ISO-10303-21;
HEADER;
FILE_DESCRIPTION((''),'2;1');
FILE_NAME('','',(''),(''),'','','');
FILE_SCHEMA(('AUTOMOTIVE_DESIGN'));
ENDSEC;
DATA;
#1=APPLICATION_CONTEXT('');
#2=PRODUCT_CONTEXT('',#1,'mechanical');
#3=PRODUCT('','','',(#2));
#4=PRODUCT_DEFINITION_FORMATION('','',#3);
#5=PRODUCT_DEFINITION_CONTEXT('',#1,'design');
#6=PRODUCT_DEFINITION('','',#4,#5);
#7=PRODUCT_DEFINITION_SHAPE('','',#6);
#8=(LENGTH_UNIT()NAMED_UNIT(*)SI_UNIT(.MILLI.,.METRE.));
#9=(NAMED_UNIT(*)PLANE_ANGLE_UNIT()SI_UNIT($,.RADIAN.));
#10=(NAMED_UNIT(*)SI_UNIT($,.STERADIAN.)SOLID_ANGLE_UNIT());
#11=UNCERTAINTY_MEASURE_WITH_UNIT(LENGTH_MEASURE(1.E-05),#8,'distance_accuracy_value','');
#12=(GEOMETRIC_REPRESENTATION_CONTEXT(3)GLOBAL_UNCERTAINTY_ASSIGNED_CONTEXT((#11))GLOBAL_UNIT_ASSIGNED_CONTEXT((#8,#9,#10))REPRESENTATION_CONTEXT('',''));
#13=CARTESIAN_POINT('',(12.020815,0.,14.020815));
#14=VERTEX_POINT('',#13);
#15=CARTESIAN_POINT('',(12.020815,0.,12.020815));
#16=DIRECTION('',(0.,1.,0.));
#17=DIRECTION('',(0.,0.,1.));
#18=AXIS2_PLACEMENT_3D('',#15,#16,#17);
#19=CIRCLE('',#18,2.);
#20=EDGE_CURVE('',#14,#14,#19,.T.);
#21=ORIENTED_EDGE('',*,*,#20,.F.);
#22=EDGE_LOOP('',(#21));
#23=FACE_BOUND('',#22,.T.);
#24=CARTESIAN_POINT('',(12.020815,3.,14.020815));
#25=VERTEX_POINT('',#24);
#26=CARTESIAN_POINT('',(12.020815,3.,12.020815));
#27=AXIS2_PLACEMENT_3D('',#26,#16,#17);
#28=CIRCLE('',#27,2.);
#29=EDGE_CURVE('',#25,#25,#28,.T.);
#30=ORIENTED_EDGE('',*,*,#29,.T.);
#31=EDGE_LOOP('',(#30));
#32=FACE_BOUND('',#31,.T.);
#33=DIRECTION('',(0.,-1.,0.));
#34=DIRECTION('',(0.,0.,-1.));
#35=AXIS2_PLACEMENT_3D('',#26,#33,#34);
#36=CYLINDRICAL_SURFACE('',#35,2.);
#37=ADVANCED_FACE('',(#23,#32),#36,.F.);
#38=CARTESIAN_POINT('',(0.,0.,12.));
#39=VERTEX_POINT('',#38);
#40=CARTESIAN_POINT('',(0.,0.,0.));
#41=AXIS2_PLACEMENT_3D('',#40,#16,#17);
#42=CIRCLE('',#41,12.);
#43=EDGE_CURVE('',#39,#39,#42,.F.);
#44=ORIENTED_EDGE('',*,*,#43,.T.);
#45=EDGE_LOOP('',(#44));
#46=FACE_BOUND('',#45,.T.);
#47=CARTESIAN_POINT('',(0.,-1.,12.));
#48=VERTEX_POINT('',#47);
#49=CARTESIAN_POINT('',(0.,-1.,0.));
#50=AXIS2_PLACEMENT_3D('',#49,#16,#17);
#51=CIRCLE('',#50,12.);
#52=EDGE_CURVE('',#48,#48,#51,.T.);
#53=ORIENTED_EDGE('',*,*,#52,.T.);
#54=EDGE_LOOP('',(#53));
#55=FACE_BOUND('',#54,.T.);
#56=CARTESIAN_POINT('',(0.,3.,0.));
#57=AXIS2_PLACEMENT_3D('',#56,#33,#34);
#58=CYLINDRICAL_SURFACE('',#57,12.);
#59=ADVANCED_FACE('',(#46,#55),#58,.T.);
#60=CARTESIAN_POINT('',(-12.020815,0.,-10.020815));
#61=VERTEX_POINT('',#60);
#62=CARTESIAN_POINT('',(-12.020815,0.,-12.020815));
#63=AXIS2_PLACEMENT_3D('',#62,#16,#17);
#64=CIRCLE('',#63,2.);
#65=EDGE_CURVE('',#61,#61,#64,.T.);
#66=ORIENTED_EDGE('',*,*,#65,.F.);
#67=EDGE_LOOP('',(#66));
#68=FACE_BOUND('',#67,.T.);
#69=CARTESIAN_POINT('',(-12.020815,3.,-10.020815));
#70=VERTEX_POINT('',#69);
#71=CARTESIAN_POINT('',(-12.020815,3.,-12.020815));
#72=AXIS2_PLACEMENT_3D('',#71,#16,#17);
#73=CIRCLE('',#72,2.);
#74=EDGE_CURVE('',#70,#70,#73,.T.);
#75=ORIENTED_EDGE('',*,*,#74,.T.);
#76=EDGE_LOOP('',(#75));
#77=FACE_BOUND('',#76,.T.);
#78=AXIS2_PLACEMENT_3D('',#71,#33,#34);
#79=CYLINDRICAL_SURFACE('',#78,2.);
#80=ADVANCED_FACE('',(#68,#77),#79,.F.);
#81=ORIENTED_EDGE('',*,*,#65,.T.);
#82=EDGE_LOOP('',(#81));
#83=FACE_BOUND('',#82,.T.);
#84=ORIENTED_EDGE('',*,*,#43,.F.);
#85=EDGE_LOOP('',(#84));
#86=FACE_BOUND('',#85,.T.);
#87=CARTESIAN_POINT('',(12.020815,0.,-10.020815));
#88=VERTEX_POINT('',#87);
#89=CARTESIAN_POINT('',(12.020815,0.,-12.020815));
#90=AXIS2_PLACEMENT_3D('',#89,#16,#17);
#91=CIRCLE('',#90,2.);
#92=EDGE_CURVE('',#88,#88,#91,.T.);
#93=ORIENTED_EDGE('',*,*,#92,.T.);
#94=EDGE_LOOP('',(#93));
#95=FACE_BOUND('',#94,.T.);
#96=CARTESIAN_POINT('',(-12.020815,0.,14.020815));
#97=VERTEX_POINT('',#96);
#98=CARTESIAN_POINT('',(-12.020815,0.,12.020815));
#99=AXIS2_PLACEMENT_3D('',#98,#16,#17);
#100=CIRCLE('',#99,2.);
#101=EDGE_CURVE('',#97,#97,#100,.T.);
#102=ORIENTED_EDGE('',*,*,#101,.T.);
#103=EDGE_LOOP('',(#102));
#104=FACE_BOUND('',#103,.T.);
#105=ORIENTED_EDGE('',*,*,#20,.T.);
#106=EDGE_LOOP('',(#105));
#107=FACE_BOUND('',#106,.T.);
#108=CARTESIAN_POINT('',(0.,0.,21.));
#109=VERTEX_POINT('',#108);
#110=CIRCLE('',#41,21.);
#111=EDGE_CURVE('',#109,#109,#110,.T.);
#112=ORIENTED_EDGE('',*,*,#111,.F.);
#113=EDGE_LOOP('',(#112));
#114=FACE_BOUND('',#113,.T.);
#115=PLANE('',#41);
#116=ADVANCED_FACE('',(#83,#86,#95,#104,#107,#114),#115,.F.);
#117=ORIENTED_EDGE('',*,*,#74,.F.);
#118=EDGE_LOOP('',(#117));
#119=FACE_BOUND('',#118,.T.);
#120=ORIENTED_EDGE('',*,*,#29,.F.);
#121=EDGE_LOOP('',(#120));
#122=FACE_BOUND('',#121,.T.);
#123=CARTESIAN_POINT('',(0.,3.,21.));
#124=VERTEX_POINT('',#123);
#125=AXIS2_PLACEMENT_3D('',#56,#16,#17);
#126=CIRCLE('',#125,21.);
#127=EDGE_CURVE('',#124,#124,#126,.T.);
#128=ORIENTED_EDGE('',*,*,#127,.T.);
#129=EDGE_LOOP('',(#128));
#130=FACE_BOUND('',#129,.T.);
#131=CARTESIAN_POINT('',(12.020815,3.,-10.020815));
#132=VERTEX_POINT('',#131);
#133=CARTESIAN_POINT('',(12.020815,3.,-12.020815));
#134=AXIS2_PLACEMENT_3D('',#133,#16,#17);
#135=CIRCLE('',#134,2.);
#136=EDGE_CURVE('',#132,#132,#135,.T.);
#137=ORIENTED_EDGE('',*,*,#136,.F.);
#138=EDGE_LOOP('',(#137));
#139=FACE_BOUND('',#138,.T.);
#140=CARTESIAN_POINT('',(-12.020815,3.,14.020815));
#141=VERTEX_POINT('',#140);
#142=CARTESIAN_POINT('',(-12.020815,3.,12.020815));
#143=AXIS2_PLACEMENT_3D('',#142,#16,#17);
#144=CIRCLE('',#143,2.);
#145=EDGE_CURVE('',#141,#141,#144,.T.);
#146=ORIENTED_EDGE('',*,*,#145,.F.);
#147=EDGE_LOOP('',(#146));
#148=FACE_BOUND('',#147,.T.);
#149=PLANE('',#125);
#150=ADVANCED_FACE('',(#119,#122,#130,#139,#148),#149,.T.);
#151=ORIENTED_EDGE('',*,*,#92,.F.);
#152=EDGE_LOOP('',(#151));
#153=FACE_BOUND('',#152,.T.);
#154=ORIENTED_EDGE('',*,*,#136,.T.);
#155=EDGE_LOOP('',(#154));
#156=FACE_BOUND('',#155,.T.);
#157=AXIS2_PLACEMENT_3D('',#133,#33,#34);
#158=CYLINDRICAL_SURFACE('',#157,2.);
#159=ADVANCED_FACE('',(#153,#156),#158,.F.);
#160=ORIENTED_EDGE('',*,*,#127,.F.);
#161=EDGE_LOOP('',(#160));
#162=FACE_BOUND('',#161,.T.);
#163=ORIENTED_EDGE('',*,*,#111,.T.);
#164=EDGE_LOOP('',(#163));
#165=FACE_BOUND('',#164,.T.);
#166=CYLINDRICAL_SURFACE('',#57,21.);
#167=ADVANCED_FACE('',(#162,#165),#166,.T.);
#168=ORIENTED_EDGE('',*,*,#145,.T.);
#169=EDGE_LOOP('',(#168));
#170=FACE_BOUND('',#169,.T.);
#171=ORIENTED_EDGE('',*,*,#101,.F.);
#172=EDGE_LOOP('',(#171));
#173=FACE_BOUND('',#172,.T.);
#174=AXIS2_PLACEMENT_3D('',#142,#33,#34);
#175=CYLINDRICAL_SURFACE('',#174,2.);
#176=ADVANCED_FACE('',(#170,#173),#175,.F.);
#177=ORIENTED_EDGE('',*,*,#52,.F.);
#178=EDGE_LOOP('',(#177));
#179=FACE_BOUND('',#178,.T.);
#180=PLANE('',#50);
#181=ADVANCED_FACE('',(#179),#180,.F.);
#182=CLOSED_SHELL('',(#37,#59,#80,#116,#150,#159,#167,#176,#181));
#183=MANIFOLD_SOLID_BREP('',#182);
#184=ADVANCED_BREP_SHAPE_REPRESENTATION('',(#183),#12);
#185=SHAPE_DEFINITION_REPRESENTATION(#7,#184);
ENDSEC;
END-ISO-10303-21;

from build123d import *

# Parameters (mm, degrees)
SKETCH1_R                = 21
SKETCH1_R_2              = 12
SKETCH1_R_3              = 2
BOSS_EXTRUDE1_DEPTH      = 3
BOSS_EXTRUDE2_DEPTH      = 3
BOSS_EXTRUDE2_DEPTH_BACK = 1
SKETCH1_2_R              = 12


with BuildPart() as part:
    # Sketch1 → Boss-Extrude1 (new body)
    with BuildSketch(Plane(origin=(0, 0, 0), x_dir=(1, 0, 0), z_dir=(0, 1, 0))):
        Circle(SKETCH1_R)
        Circle(SKETCH1_R_2, mode=Mode.SUBTRACT)
        with Locations((-12.02081528, 12.02081528)):
            Circle(SKETCH1_R_3, mode=Mode.SUBTRACT)
        with Locations((12.02081528, 12.02081528)):
            Circle(SKETCH1_R_3, mode=Mode.SUBTRACT)
        with Locations((12.02081528, -12.02081528)):
            Circle(SKETCH1_R_3, mode=Mode.SUBTRACT)
        with Locations((-12.02081528, -12.02081528)):
            Circle(SKETCH1_R_3, mode=Mode.SUBTRACT)
    extrude(amount=BOSS_EXTRUDE1_DEPTH)

    # Sketch1<2> → Boss-Extrude2 (add, two sides: drawn at the far end of the back side and taken through both)
    with BuildSketch(Plane(origin=(0, 0, 0), x_dir=(1, 0, 0), z_dir=(0, 1, 0)).offset(-BOSS_EXTRUDE2_DEPTH_BACK)):
        Circle(SKETCH1_2_R)
    extrude(amount=BOSS_EXTRUDE2_DEPTH + BOSS_EXTRUDE2_DEPTH_BACK)


solid = part.part
